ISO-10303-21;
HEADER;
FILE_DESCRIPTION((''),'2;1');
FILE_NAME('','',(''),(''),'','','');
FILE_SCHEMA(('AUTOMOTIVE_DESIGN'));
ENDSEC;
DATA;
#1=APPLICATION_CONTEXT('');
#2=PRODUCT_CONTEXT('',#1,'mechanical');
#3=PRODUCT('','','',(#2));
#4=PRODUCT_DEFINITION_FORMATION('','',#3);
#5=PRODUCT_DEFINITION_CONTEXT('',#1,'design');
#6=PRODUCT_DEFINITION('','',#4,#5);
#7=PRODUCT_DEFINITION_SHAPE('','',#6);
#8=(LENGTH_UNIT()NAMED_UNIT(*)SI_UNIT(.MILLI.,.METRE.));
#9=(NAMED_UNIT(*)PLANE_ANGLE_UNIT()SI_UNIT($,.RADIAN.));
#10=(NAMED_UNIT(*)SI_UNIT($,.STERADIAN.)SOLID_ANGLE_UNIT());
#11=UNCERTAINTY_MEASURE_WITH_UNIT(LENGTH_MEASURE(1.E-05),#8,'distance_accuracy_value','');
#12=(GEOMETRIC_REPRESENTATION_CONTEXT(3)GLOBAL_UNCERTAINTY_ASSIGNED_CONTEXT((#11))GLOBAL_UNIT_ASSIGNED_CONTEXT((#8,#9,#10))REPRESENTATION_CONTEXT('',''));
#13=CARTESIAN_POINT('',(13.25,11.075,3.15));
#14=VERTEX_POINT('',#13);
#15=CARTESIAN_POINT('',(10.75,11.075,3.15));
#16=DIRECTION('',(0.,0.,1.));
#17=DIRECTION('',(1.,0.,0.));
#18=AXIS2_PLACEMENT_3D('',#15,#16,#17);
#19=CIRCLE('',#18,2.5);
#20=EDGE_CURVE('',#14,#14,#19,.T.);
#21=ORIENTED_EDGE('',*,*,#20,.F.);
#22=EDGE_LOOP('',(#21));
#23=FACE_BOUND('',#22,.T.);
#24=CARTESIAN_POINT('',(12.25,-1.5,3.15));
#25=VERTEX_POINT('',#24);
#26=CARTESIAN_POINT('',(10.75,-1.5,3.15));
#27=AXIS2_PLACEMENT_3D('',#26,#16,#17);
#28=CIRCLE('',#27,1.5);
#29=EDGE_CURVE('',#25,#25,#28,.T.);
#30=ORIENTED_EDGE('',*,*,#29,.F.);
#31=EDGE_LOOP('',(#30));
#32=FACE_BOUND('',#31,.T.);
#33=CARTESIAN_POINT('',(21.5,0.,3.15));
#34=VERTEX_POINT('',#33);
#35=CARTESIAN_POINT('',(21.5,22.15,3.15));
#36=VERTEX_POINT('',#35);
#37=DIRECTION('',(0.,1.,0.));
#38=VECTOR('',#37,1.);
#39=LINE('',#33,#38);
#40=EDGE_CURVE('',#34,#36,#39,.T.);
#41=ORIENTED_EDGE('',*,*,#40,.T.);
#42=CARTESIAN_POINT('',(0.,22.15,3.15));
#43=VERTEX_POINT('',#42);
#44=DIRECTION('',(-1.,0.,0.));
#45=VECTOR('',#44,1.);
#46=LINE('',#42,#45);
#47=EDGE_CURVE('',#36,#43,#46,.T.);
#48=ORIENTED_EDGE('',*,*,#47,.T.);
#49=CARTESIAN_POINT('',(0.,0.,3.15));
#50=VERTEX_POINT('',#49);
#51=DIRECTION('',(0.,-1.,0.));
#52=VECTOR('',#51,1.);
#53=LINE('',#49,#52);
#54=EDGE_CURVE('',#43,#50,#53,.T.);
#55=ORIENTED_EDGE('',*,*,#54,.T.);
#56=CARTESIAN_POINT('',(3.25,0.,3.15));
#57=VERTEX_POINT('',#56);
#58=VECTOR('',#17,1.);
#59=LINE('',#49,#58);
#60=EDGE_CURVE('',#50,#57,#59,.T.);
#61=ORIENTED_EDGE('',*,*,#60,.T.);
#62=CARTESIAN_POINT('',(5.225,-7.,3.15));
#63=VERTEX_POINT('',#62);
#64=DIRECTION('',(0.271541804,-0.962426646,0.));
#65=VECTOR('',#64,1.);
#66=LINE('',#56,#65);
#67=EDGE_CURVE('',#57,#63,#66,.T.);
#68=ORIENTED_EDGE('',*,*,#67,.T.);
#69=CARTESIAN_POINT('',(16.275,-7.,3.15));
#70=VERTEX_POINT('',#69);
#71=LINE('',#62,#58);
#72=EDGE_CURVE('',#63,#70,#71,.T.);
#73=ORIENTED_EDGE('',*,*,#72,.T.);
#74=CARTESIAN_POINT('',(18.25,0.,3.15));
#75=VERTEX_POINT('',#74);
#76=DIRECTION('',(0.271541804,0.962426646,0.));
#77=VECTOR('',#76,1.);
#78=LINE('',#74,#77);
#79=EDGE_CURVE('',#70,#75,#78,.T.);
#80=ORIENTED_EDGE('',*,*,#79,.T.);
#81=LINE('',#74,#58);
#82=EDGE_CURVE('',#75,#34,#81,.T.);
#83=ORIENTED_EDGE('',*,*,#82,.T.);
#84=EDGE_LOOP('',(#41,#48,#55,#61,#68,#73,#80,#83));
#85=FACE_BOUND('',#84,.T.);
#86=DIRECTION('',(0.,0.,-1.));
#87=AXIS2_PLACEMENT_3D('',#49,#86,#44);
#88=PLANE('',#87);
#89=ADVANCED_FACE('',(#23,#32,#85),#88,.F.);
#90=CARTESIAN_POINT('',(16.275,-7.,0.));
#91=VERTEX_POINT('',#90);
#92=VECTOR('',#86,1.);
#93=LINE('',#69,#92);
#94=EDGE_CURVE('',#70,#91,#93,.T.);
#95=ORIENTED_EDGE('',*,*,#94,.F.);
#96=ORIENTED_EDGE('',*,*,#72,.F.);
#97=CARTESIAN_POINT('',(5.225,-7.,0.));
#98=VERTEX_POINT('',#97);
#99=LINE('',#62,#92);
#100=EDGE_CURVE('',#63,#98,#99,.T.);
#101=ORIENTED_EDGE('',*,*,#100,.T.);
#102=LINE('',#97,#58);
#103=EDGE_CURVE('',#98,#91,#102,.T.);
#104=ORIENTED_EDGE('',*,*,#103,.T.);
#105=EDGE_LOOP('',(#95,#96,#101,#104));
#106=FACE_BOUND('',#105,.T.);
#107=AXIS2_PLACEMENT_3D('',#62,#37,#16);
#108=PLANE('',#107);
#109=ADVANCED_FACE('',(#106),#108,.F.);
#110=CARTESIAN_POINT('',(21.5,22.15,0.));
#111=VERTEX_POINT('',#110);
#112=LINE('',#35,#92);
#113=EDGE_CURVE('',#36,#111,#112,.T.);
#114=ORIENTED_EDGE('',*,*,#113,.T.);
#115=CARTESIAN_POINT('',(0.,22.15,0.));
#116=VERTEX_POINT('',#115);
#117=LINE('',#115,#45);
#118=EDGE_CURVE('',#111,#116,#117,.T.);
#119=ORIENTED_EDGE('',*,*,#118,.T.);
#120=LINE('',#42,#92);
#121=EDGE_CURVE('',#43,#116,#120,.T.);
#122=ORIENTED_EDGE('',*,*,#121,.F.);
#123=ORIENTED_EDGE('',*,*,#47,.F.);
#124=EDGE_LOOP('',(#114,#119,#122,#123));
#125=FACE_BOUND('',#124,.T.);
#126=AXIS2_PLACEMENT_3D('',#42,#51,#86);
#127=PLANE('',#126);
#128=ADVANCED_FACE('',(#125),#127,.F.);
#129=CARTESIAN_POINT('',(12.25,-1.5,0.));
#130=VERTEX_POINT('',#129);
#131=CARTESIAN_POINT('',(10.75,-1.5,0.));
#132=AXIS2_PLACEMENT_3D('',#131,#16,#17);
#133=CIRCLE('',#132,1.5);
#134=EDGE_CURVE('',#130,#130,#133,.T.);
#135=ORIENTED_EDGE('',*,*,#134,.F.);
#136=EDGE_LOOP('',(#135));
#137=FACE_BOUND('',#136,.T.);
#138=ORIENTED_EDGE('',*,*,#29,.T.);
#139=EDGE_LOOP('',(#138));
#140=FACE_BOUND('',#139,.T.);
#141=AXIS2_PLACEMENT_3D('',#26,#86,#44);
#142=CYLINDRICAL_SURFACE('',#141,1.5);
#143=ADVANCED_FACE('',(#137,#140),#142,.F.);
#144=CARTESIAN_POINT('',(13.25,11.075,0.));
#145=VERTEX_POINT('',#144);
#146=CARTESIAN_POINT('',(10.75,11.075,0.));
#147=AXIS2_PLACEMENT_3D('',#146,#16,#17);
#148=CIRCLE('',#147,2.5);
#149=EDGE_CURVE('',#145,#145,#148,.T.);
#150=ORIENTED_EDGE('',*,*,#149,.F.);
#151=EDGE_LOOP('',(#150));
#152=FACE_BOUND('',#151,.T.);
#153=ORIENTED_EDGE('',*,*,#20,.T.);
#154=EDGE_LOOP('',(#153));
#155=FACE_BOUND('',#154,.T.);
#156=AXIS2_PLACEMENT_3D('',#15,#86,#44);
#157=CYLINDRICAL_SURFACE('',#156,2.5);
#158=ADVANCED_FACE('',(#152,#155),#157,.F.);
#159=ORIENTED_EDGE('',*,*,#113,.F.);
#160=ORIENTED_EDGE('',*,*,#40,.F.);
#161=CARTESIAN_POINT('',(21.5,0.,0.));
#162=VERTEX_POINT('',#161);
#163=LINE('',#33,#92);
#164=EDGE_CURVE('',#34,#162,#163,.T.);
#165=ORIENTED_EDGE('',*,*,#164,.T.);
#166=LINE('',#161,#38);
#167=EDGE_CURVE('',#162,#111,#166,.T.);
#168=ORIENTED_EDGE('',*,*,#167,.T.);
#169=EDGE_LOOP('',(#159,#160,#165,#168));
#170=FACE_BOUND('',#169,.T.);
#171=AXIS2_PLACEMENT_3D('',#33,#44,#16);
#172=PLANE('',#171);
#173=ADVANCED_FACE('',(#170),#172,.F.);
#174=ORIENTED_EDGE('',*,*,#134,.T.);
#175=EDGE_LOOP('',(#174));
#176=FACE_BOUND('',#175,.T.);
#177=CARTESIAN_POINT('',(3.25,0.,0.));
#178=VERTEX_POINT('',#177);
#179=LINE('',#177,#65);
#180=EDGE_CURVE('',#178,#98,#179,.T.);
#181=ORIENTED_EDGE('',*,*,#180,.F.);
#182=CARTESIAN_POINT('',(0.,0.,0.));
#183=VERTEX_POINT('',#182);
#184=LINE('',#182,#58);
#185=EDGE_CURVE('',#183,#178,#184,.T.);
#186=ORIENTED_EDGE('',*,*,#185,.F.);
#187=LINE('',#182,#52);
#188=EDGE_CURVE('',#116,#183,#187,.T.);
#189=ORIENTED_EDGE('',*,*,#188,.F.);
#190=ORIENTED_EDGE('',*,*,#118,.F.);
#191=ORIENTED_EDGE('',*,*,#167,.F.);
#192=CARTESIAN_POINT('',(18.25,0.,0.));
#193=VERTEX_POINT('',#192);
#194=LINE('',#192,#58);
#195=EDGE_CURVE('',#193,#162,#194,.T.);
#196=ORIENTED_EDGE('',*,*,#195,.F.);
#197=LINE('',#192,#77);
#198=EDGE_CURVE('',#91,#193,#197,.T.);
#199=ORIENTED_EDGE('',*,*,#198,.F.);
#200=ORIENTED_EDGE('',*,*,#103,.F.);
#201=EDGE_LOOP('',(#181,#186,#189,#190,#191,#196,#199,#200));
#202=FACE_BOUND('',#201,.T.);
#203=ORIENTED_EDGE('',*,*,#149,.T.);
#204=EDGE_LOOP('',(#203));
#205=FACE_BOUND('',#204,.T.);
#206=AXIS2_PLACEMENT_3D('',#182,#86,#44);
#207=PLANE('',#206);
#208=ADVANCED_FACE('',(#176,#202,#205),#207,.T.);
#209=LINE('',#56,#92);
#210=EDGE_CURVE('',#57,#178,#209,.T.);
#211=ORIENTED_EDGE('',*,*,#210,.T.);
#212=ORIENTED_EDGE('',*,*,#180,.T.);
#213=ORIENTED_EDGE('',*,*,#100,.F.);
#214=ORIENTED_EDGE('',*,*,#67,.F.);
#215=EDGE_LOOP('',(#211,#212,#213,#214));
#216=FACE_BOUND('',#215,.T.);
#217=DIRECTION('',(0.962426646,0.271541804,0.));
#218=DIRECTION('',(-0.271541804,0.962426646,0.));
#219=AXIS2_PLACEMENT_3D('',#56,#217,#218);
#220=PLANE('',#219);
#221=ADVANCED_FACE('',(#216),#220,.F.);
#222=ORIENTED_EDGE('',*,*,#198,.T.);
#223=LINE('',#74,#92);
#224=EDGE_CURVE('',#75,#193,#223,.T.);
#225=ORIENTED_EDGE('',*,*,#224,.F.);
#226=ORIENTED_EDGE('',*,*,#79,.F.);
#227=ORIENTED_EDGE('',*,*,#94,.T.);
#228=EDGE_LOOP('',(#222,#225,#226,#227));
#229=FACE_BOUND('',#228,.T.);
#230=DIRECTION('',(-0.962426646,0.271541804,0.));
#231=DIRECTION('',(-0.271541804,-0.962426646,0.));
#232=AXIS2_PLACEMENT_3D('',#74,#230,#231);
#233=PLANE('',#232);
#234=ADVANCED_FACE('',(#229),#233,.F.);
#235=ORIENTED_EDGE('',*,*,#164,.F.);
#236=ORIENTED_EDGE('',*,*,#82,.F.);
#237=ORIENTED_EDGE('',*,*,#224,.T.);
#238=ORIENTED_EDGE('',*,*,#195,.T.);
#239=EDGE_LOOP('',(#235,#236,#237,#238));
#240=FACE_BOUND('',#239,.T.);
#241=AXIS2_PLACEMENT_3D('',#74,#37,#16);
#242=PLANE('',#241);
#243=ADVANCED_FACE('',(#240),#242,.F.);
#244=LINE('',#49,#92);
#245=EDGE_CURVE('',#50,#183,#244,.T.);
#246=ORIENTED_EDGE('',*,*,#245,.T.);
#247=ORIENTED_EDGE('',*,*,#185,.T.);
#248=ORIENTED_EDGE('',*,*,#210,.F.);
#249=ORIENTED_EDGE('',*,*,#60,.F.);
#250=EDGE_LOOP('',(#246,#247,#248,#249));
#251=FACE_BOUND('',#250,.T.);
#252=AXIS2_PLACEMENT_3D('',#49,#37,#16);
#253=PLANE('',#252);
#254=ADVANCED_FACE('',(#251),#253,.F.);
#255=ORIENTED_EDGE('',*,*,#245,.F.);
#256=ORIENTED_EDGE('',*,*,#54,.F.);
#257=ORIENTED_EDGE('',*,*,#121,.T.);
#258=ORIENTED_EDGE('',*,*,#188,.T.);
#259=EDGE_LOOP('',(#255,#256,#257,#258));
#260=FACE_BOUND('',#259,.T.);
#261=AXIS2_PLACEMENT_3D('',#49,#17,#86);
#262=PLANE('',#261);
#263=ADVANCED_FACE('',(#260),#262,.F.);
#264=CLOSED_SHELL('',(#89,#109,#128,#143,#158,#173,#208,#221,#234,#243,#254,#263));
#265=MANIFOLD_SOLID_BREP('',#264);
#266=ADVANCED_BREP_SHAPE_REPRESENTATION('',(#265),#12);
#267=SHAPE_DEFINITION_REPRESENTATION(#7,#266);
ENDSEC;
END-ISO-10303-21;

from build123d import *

# Parameters (mm, degrees)
ESQUISSE1_R        = 2.5
ESQUISSE1_R_2      = 1.5
BOSS_EXTRU_1_DEPTH = 3.15


with BuildPart() as part:
    # Esquisse1 → Boss.-Extru.1 (new body)
    with BuildSketch(Plane.XY):
        Polygon((3.25, 0), (5.225, -7), (16.275, -7), (18.25, 0), (21.5, 0), (21.5, 22.15), (0, 22.15), (0, 0), align=None)
        with Locations((10.75, 11.075)):
            Circle(ESQUISSE1_R, mode=Mode.SUBTRACT)
        with Locations((10.75, -1.5)):
            Circle(ESQUISSE1_R_2, mode=Mode.SUBTRACT)
    extrude(amount=BOSS_EXTRU_1_DEPTH)


solid = part.part
